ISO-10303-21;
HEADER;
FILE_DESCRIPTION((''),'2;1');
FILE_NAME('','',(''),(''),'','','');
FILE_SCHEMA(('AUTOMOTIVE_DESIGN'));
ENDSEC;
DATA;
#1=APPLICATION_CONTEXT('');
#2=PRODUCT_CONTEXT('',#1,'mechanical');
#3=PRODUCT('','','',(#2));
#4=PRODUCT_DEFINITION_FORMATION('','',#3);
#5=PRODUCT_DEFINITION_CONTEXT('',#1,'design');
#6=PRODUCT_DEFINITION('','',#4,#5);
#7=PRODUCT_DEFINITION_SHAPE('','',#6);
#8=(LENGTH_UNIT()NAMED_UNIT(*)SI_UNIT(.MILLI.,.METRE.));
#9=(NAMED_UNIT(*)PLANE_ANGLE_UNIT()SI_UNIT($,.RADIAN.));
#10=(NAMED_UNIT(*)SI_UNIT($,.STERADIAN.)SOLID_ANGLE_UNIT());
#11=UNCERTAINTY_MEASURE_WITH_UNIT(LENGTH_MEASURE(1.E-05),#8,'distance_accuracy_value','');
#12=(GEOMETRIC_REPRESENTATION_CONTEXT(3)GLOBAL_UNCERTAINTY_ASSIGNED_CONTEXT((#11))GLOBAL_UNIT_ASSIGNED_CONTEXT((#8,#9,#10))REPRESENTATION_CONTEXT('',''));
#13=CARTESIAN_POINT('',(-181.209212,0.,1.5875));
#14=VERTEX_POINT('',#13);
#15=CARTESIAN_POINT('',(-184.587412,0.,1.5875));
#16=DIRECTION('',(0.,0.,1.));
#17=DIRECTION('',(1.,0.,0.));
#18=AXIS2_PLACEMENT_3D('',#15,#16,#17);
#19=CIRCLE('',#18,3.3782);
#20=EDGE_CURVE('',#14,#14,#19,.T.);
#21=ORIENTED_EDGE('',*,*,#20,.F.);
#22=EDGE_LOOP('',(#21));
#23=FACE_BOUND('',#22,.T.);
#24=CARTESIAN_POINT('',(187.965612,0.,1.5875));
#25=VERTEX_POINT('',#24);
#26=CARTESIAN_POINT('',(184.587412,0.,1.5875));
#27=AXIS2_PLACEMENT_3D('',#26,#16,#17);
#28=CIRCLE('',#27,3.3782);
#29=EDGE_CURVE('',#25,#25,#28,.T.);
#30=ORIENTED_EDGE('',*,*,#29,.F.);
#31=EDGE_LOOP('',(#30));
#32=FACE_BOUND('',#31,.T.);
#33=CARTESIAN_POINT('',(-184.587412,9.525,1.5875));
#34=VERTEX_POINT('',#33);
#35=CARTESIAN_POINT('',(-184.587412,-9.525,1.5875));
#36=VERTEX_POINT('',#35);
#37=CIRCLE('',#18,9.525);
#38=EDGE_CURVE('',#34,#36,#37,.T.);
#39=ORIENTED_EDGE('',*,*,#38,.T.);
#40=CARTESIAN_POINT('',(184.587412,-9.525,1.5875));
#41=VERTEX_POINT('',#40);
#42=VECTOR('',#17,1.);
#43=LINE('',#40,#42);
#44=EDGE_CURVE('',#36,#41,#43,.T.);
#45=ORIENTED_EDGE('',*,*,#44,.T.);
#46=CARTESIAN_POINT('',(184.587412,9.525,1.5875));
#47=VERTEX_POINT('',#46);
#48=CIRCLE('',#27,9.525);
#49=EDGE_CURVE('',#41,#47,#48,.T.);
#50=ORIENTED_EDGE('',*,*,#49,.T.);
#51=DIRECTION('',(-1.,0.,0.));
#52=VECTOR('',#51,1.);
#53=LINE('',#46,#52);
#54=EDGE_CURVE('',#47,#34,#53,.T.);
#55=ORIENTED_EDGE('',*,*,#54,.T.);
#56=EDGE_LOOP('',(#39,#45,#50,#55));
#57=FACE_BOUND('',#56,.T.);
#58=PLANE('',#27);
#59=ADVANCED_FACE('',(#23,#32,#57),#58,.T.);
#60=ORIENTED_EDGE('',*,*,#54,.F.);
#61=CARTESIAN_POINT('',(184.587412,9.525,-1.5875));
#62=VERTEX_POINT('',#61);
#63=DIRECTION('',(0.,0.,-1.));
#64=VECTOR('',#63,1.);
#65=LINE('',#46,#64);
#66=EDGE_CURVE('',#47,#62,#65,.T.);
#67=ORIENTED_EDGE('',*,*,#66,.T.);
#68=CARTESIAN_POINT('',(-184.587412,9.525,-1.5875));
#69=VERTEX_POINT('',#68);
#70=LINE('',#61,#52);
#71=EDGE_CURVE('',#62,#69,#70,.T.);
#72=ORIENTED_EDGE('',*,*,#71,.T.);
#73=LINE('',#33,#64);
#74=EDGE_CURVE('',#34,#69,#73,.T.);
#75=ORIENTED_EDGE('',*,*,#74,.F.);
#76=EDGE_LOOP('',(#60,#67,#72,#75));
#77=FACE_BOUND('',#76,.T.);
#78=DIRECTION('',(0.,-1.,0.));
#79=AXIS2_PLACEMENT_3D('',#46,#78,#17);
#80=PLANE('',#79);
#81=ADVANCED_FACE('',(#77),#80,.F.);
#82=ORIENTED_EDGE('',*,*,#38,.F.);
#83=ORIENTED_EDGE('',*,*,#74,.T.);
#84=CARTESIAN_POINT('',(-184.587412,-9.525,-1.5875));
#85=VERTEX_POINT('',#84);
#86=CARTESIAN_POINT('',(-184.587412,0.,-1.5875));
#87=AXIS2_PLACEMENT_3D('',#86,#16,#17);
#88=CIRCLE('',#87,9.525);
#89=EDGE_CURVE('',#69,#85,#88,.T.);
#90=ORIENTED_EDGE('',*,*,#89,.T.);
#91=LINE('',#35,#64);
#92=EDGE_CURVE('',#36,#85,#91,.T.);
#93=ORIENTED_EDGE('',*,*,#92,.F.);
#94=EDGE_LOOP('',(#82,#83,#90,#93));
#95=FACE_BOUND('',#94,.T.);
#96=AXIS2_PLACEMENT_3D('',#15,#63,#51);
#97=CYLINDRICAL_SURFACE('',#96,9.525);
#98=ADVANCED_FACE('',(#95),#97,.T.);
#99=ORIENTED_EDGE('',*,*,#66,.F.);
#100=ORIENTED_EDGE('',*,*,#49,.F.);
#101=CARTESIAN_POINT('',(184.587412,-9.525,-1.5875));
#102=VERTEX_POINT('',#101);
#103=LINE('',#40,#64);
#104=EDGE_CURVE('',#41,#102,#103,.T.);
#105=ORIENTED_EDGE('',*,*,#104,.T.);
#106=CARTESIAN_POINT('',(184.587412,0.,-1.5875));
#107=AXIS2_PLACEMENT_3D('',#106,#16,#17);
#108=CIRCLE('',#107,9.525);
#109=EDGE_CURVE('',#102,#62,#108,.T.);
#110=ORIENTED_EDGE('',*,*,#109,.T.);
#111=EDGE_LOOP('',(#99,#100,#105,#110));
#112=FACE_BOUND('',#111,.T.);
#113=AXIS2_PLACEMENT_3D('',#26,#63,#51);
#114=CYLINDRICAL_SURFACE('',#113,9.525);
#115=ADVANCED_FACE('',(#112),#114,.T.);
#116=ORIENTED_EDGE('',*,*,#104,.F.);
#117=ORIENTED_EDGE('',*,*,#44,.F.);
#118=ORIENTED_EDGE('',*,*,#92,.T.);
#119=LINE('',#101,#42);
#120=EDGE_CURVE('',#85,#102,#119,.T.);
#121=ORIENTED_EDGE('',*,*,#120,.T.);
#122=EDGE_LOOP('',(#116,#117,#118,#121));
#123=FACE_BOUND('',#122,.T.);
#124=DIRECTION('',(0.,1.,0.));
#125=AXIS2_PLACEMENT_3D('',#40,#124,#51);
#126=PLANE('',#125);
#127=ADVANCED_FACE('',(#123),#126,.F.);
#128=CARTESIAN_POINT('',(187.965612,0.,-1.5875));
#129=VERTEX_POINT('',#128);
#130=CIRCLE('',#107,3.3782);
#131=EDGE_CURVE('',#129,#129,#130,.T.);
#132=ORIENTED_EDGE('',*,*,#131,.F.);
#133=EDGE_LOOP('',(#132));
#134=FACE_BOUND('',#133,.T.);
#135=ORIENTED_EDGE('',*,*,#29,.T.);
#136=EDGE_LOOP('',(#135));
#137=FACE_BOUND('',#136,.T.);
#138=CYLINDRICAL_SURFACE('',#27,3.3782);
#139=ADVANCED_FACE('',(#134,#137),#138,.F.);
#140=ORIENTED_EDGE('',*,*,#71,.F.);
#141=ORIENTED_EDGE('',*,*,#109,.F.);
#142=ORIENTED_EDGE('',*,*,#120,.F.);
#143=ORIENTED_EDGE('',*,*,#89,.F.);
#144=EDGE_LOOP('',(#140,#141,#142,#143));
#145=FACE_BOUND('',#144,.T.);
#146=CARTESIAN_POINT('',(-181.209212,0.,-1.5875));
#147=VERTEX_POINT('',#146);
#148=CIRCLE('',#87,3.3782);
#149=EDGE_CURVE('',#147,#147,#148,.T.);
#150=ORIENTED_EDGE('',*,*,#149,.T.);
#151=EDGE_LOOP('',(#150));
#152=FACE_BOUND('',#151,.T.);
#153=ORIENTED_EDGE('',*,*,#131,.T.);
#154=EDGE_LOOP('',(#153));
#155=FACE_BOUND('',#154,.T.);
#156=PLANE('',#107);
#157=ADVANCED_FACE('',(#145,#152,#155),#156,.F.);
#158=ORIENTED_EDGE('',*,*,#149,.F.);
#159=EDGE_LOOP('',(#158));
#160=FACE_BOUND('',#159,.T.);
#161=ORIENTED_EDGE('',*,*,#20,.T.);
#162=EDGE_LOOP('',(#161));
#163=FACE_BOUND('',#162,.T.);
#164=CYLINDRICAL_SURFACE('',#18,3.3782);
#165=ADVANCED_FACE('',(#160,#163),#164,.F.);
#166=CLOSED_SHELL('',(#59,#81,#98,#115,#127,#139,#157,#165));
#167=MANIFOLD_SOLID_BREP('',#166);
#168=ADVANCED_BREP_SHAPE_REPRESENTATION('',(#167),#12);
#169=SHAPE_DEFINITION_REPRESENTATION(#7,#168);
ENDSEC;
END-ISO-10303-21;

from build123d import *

# Parameters (mm, degrees)
BOSS_EXTRUDE1_DEPTH     = 1.5875
F_1_4_CLEARANCE_HOLE1_D = 6.7564


with BuildPart() as part:
    # Sketch2 → Boss-Extrude1 (new, symmetric)
    with BuildSketch(Plane.XY):
        with BuildLine():
            Line((184.587411543, -9.525), (-184.587411543, -9.525))
            ThreePointArc((-184.587411543, -9.525), (-194.112411543, 0), (-184.587411543, 9.525))
            Line((-184.587411543, 9.525), (184.587411543, 9.525))
            ThreePointArc((184.587411543, 9.525), (194.112411543, 0), (184.587411543, -9.525))
        make_face()
    extrude(amount=BOSS_EXTRUDE1_DEPTH, both=True)

    # 1/4 Clearance Hole1 (through all)
    with Locations(Plane.XY.offset(1.5875)):
        with Locations((-184.587411543, 0), (184.587411543, 0)):
            Hole(F_1_4_CLEARANCE_HOLE1_D / 2)


solid = part.part
